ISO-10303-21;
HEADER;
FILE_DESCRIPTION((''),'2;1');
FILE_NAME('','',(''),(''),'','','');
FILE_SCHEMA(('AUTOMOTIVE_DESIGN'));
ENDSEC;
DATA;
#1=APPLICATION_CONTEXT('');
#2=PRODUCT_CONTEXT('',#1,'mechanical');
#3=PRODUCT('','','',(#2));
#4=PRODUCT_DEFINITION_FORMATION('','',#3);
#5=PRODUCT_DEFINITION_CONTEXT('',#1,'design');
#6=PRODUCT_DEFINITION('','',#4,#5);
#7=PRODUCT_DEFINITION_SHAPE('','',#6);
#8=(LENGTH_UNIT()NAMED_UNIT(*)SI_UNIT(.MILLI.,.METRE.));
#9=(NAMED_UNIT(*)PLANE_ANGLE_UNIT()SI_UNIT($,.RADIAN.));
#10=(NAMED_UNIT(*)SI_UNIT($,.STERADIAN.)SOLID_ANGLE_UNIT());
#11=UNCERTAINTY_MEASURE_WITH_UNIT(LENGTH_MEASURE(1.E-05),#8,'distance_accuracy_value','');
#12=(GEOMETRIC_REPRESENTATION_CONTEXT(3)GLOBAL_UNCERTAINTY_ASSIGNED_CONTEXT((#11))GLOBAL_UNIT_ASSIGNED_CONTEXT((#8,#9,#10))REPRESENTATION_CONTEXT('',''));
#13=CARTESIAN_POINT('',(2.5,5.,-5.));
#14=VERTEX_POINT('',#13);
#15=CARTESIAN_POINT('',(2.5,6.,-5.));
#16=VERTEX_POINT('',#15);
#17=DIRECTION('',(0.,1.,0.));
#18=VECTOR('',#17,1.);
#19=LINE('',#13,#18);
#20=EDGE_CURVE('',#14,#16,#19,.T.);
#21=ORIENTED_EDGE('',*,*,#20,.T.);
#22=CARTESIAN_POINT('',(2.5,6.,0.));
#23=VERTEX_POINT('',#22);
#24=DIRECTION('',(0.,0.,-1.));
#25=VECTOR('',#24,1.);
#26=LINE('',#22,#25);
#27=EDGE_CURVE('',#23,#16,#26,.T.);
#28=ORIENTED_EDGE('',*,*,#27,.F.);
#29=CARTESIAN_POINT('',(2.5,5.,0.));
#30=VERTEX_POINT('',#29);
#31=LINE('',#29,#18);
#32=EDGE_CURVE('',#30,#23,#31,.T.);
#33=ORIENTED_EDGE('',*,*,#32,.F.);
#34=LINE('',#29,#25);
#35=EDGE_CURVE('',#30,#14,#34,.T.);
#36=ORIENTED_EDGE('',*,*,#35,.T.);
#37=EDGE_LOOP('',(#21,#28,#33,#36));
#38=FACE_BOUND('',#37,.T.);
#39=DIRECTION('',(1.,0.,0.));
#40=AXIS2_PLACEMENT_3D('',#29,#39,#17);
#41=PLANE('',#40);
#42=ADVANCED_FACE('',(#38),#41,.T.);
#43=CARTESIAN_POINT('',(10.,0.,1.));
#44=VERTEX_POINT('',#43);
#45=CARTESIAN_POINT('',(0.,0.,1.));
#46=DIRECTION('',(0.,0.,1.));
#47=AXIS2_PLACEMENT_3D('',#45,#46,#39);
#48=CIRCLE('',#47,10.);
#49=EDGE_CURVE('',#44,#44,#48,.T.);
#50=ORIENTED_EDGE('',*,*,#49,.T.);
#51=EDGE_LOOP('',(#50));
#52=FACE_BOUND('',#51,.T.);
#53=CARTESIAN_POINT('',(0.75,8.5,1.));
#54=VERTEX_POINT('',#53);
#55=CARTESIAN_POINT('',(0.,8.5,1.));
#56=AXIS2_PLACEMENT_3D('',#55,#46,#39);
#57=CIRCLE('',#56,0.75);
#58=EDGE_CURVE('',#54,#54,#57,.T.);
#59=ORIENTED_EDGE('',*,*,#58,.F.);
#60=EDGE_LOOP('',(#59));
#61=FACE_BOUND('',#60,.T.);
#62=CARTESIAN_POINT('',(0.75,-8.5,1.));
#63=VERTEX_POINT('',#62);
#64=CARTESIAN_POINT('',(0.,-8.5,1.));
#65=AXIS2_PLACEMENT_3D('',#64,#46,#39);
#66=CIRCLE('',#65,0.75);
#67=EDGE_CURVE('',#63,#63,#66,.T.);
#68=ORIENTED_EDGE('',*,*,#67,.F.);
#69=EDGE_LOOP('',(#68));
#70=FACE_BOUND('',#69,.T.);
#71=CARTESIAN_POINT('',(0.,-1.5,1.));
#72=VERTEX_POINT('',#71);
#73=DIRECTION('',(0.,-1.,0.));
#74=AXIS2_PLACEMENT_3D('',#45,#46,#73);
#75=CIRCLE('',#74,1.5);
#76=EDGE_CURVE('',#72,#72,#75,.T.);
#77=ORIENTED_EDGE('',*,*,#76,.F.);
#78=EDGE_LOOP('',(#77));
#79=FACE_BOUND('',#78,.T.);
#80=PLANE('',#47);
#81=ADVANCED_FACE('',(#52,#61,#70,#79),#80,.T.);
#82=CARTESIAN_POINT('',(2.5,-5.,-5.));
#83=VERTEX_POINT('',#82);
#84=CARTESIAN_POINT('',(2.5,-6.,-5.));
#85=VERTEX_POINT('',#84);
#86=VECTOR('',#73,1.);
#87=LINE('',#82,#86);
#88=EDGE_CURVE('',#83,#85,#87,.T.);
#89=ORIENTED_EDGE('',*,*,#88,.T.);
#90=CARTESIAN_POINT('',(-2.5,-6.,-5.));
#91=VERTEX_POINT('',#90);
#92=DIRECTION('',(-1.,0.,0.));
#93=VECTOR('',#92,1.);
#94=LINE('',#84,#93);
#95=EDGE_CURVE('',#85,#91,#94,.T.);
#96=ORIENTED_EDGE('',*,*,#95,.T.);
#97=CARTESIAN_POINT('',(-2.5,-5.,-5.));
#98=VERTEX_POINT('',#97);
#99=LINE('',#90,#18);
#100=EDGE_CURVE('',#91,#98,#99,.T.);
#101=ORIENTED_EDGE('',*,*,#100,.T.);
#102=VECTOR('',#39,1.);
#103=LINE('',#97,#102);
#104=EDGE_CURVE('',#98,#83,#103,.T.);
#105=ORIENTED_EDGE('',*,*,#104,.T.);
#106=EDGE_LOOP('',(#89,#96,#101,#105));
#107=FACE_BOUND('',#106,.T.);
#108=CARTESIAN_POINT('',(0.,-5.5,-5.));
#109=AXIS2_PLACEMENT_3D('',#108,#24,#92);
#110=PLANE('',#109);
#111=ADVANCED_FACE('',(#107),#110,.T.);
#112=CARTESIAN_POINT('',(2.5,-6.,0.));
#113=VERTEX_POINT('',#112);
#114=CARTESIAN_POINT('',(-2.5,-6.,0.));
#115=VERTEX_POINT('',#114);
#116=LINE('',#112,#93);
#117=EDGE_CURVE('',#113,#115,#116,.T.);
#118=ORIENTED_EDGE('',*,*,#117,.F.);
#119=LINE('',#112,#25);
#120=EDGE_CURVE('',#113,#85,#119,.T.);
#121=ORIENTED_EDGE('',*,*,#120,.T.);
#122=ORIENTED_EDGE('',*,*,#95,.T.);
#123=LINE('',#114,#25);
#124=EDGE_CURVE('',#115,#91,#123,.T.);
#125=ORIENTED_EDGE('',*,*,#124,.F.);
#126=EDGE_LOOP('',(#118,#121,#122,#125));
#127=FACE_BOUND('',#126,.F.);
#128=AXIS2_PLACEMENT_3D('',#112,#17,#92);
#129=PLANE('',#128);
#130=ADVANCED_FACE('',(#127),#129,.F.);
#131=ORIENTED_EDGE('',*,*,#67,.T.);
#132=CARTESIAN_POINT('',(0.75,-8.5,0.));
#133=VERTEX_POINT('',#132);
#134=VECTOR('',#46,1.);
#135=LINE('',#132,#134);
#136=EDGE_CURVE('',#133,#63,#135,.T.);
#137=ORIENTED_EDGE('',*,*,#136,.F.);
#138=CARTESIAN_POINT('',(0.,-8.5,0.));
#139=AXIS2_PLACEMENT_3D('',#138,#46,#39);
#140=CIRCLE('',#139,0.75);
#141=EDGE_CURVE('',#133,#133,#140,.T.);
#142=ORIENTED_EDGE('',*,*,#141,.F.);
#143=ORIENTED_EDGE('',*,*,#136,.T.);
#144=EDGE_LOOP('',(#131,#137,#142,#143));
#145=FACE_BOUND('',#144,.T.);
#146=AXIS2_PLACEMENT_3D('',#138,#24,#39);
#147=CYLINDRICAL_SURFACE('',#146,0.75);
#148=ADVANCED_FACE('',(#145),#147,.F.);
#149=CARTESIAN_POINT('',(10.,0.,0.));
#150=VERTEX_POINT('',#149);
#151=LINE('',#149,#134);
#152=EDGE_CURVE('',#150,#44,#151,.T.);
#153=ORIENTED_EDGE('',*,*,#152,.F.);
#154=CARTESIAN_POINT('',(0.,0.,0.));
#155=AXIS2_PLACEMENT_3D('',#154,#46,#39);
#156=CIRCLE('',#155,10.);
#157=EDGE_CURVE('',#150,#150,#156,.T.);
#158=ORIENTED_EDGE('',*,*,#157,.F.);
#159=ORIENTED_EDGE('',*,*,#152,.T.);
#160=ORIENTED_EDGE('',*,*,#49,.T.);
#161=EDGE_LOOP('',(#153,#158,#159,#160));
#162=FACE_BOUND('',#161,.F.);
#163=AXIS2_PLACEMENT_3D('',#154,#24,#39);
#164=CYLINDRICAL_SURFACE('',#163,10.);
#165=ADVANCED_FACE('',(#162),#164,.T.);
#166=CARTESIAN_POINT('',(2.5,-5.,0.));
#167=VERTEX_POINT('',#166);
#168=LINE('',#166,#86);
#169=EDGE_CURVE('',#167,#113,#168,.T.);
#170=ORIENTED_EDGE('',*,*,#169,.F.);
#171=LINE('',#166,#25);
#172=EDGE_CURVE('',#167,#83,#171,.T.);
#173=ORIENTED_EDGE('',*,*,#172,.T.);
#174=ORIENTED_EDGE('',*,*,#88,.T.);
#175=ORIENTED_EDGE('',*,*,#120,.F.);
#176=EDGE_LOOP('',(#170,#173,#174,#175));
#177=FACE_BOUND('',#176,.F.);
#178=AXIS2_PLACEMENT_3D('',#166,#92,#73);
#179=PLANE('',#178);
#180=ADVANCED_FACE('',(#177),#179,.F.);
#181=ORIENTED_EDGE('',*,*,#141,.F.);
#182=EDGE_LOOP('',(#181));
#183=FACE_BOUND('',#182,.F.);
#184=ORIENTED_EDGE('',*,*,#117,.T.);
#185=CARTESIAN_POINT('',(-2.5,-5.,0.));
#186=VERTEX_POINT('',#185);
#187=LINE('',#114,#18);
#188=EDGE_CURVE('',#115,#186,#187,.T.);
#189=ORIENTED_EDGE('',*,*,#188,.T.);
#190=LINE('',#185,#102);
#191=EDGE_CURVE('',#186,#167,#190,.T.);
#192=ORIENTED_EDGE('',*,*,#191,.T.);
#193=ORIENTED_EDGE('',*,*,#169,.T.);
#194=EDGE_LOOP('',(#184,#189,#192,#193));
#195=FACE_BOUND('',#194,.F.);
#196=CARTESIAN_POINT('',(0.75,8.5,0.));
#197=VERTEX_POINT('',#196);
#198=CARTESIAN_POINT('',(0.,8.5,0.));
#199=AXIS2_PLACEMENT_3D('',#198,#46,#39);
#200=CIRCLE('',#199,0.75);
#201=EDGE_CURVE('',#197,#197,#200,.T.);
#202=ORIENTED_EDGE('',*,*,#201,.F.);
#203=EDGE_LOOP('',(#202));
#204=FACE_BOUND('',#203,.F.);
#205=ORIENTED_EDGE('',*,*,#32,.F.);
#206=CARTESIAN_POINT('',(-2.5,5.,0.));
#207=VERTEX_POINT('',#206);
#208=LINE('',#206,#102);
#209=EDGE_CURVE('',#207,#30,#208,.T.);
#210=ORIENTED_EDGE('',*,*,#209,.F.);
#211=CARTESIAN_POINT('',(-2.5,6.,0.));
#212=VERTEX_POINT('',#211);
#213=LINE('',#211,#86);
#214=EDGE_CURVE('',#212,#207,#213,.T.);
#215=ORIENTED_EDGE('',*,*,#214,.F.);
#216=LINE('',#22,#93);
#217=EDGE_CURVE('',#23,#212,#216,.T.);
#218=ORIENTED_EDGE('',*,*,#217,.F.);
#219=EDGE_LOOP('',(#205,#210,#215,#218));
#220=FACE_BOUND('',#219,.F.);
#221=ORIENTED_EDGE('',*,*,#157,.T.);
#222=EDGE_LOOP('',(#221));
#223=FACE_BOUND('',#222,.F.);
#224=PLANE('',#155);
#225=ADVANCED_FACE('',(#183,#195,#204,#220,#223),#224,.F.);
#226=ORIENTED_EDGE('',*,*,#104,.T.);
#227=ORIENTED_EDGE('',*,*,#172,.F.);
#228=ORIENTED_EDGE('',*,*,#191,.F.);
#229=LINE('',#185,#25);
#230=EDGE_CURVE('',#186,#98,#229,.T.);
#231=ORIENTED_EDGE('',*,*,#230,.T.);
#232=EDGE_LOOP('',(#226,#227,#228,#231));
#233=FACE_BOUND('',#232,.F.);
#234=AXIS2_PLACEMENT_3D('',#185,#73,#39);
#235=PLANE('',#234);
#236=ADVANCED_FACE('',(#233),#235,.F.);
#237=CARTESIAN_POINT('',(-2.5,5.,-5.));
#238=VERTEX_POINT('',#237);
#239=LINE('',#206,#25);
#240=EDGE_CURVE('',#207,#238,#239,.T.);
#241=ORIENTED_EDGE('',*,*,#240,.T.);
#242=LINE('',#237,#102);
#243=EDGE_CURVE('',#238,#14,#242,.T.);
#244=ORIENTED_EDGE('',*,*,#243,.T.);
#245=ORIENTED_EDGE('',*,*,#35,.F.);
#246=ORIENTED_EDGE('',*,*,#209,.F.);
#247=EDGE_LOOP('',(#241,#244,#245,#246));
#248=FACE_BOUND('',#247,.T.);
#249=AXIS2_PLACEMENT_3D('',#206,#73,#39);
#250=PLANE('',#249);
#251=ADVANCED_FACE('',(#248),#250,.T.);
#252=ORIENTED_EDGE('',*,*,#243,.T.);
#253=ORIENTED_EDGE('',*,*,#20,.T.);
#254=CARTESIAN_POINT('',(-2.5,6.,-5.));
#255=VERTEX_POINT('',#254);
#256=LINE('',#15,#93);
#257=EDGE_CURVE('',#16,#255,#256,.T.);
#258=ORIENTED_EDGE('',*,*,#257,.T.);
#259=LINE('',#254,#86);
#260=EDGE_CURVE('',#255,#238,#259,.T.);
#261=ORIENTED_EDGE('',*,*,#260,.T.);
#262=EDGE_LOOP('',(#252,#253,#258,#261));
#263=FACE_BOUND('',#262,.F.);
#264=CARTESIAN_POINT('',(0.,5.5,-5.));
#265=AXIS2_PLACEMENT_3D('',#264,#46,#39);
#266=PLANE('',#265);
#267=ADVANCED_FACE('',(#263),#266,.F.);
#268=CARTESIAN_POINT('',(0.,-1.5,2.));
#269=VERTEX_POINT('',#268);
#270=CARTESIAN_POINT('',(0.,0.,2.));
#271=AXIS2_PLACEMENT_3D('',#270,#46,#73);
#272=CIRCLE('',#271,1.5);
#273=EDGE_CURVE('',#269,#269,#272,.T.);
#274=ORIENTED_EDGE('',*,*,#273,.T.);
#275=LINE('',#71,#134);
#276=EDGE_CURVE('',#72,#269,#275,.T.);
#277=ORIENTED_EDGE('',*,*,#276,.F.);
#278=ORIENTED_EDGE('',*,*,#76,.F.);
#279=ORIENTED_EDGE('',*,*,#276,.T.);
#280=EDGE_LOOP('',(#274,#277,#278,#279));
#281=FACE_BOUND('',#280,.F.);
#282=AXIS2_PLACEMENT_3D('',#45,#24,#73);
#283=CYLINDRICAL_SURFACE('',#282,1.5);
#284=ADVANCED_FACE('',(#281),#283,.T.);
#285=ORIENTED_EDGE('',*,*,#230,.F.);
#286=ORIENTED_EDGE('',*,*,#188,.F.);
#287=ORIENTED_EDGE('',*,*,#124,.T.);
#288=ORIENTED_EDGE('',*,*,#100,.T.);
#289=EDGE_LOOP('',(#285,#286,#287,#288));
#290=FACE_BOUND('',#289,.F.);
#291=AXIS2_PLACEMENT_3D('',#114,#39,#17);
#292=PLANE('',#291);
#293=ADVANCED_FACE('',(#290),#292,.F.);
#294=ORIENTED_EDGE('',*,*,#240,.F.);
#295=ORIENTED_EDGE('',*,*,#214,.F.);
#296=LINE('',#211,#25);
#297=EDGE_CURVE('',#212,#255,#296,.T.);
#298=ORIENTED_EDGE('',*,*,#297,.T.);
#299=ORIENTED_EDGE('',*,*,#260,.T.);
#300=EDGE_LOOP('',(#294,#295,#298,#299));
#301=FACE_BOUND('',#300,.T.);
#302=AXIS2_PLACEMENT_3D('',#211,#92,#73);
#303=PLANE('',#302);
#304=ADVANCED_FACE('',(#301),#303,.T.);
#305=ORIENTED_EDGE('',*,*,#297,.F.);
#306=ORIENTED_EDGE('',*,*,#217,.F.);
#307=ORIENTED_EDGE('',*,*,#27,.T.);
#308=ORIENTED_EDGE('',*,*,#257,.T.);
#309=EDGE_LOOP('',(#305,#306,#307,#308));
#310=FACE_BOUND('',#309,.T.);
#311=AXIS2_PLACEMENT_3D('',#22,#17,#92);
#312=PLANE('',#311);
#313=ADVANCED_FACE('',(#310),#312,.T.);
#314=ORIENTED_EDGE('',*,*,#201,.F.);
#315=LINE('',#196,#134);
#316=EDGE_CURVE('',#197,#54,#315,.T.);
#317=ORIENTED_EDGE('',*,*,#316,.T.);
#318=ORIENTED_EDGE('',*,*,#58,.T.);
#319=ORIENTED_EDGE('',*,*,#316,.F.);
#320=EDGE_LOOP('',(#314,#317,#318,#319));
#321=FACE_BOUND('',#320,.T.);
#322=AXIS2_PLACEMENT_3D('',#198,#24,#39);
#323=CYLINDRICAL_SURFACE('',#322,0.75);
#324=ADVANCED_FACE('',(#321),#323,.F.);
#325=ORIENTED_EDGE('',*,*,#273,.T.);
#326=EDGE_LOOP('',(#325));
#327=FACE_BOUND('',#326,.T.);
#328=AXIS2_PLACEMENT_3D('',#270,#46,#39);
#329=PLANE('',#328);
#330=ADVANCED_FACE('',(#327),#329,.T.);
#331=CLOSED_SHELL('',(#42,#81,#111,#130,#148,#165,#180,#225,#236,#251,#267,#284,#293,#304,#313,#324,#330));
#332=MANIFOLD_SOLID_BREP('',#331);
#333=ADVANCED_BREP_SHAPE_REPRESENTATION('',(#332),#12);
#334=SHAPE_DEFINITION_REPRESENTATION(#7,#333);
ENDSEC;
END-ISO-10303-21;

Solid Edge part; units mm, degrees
sketch "Sketch1" plane through (0, 0, 0) normal (0, 0, 1) x (1, 0, 0)
  circle A0 centre (0, 0) radius 10
  circle A1 centre (0, 8.5) radius 0.75
  circle A2 centre (0, -8.5) radius 0.75
  dimension "D1" = 20
  dimension "D2" = 1.5
  dimension "D3" = 8.5
extrude "Protrusion1" add sketch "Sketch1" along normal blind 1
sketch "Sketch2" plane through (0, 0, 0) normal (0, 0, -1) x (1, 0, 0)
  line L0 (-2.5, 5) -> (2.5, 5)
  line L1 (2.5, 5) -> (2.5, 6)
  line L2 (2.5, 6) -> (-2.5, 6)
  line L3 (-2.5, 6) -> (-2.5, 5)
  line L4 (-2.5, -5) -> (2.5, -5)
  line L5 (2.5, -5) -> (2.5, -6)
  line L6 (2.5, -6) -> (-2.5, -6)
  line L7 (-2.5, -6) -> (-2.5, -5)
  dimension "D1" = 5
  dimension "D2" = 1
  dimension "D3" = 5
extrude "ExtrudedProtrusion_3" add sketch "Sketch2" along normal blind 5
sketch "Sketch3" plane through (0, 0, 1) normal (0, 0, 1) x (0, -1, 0)
  circle A0 centre (0, 0) radius 1.5
extrude "ExtrudedProtrusion_4" add sketch "Sketch3" along normal blind 1
